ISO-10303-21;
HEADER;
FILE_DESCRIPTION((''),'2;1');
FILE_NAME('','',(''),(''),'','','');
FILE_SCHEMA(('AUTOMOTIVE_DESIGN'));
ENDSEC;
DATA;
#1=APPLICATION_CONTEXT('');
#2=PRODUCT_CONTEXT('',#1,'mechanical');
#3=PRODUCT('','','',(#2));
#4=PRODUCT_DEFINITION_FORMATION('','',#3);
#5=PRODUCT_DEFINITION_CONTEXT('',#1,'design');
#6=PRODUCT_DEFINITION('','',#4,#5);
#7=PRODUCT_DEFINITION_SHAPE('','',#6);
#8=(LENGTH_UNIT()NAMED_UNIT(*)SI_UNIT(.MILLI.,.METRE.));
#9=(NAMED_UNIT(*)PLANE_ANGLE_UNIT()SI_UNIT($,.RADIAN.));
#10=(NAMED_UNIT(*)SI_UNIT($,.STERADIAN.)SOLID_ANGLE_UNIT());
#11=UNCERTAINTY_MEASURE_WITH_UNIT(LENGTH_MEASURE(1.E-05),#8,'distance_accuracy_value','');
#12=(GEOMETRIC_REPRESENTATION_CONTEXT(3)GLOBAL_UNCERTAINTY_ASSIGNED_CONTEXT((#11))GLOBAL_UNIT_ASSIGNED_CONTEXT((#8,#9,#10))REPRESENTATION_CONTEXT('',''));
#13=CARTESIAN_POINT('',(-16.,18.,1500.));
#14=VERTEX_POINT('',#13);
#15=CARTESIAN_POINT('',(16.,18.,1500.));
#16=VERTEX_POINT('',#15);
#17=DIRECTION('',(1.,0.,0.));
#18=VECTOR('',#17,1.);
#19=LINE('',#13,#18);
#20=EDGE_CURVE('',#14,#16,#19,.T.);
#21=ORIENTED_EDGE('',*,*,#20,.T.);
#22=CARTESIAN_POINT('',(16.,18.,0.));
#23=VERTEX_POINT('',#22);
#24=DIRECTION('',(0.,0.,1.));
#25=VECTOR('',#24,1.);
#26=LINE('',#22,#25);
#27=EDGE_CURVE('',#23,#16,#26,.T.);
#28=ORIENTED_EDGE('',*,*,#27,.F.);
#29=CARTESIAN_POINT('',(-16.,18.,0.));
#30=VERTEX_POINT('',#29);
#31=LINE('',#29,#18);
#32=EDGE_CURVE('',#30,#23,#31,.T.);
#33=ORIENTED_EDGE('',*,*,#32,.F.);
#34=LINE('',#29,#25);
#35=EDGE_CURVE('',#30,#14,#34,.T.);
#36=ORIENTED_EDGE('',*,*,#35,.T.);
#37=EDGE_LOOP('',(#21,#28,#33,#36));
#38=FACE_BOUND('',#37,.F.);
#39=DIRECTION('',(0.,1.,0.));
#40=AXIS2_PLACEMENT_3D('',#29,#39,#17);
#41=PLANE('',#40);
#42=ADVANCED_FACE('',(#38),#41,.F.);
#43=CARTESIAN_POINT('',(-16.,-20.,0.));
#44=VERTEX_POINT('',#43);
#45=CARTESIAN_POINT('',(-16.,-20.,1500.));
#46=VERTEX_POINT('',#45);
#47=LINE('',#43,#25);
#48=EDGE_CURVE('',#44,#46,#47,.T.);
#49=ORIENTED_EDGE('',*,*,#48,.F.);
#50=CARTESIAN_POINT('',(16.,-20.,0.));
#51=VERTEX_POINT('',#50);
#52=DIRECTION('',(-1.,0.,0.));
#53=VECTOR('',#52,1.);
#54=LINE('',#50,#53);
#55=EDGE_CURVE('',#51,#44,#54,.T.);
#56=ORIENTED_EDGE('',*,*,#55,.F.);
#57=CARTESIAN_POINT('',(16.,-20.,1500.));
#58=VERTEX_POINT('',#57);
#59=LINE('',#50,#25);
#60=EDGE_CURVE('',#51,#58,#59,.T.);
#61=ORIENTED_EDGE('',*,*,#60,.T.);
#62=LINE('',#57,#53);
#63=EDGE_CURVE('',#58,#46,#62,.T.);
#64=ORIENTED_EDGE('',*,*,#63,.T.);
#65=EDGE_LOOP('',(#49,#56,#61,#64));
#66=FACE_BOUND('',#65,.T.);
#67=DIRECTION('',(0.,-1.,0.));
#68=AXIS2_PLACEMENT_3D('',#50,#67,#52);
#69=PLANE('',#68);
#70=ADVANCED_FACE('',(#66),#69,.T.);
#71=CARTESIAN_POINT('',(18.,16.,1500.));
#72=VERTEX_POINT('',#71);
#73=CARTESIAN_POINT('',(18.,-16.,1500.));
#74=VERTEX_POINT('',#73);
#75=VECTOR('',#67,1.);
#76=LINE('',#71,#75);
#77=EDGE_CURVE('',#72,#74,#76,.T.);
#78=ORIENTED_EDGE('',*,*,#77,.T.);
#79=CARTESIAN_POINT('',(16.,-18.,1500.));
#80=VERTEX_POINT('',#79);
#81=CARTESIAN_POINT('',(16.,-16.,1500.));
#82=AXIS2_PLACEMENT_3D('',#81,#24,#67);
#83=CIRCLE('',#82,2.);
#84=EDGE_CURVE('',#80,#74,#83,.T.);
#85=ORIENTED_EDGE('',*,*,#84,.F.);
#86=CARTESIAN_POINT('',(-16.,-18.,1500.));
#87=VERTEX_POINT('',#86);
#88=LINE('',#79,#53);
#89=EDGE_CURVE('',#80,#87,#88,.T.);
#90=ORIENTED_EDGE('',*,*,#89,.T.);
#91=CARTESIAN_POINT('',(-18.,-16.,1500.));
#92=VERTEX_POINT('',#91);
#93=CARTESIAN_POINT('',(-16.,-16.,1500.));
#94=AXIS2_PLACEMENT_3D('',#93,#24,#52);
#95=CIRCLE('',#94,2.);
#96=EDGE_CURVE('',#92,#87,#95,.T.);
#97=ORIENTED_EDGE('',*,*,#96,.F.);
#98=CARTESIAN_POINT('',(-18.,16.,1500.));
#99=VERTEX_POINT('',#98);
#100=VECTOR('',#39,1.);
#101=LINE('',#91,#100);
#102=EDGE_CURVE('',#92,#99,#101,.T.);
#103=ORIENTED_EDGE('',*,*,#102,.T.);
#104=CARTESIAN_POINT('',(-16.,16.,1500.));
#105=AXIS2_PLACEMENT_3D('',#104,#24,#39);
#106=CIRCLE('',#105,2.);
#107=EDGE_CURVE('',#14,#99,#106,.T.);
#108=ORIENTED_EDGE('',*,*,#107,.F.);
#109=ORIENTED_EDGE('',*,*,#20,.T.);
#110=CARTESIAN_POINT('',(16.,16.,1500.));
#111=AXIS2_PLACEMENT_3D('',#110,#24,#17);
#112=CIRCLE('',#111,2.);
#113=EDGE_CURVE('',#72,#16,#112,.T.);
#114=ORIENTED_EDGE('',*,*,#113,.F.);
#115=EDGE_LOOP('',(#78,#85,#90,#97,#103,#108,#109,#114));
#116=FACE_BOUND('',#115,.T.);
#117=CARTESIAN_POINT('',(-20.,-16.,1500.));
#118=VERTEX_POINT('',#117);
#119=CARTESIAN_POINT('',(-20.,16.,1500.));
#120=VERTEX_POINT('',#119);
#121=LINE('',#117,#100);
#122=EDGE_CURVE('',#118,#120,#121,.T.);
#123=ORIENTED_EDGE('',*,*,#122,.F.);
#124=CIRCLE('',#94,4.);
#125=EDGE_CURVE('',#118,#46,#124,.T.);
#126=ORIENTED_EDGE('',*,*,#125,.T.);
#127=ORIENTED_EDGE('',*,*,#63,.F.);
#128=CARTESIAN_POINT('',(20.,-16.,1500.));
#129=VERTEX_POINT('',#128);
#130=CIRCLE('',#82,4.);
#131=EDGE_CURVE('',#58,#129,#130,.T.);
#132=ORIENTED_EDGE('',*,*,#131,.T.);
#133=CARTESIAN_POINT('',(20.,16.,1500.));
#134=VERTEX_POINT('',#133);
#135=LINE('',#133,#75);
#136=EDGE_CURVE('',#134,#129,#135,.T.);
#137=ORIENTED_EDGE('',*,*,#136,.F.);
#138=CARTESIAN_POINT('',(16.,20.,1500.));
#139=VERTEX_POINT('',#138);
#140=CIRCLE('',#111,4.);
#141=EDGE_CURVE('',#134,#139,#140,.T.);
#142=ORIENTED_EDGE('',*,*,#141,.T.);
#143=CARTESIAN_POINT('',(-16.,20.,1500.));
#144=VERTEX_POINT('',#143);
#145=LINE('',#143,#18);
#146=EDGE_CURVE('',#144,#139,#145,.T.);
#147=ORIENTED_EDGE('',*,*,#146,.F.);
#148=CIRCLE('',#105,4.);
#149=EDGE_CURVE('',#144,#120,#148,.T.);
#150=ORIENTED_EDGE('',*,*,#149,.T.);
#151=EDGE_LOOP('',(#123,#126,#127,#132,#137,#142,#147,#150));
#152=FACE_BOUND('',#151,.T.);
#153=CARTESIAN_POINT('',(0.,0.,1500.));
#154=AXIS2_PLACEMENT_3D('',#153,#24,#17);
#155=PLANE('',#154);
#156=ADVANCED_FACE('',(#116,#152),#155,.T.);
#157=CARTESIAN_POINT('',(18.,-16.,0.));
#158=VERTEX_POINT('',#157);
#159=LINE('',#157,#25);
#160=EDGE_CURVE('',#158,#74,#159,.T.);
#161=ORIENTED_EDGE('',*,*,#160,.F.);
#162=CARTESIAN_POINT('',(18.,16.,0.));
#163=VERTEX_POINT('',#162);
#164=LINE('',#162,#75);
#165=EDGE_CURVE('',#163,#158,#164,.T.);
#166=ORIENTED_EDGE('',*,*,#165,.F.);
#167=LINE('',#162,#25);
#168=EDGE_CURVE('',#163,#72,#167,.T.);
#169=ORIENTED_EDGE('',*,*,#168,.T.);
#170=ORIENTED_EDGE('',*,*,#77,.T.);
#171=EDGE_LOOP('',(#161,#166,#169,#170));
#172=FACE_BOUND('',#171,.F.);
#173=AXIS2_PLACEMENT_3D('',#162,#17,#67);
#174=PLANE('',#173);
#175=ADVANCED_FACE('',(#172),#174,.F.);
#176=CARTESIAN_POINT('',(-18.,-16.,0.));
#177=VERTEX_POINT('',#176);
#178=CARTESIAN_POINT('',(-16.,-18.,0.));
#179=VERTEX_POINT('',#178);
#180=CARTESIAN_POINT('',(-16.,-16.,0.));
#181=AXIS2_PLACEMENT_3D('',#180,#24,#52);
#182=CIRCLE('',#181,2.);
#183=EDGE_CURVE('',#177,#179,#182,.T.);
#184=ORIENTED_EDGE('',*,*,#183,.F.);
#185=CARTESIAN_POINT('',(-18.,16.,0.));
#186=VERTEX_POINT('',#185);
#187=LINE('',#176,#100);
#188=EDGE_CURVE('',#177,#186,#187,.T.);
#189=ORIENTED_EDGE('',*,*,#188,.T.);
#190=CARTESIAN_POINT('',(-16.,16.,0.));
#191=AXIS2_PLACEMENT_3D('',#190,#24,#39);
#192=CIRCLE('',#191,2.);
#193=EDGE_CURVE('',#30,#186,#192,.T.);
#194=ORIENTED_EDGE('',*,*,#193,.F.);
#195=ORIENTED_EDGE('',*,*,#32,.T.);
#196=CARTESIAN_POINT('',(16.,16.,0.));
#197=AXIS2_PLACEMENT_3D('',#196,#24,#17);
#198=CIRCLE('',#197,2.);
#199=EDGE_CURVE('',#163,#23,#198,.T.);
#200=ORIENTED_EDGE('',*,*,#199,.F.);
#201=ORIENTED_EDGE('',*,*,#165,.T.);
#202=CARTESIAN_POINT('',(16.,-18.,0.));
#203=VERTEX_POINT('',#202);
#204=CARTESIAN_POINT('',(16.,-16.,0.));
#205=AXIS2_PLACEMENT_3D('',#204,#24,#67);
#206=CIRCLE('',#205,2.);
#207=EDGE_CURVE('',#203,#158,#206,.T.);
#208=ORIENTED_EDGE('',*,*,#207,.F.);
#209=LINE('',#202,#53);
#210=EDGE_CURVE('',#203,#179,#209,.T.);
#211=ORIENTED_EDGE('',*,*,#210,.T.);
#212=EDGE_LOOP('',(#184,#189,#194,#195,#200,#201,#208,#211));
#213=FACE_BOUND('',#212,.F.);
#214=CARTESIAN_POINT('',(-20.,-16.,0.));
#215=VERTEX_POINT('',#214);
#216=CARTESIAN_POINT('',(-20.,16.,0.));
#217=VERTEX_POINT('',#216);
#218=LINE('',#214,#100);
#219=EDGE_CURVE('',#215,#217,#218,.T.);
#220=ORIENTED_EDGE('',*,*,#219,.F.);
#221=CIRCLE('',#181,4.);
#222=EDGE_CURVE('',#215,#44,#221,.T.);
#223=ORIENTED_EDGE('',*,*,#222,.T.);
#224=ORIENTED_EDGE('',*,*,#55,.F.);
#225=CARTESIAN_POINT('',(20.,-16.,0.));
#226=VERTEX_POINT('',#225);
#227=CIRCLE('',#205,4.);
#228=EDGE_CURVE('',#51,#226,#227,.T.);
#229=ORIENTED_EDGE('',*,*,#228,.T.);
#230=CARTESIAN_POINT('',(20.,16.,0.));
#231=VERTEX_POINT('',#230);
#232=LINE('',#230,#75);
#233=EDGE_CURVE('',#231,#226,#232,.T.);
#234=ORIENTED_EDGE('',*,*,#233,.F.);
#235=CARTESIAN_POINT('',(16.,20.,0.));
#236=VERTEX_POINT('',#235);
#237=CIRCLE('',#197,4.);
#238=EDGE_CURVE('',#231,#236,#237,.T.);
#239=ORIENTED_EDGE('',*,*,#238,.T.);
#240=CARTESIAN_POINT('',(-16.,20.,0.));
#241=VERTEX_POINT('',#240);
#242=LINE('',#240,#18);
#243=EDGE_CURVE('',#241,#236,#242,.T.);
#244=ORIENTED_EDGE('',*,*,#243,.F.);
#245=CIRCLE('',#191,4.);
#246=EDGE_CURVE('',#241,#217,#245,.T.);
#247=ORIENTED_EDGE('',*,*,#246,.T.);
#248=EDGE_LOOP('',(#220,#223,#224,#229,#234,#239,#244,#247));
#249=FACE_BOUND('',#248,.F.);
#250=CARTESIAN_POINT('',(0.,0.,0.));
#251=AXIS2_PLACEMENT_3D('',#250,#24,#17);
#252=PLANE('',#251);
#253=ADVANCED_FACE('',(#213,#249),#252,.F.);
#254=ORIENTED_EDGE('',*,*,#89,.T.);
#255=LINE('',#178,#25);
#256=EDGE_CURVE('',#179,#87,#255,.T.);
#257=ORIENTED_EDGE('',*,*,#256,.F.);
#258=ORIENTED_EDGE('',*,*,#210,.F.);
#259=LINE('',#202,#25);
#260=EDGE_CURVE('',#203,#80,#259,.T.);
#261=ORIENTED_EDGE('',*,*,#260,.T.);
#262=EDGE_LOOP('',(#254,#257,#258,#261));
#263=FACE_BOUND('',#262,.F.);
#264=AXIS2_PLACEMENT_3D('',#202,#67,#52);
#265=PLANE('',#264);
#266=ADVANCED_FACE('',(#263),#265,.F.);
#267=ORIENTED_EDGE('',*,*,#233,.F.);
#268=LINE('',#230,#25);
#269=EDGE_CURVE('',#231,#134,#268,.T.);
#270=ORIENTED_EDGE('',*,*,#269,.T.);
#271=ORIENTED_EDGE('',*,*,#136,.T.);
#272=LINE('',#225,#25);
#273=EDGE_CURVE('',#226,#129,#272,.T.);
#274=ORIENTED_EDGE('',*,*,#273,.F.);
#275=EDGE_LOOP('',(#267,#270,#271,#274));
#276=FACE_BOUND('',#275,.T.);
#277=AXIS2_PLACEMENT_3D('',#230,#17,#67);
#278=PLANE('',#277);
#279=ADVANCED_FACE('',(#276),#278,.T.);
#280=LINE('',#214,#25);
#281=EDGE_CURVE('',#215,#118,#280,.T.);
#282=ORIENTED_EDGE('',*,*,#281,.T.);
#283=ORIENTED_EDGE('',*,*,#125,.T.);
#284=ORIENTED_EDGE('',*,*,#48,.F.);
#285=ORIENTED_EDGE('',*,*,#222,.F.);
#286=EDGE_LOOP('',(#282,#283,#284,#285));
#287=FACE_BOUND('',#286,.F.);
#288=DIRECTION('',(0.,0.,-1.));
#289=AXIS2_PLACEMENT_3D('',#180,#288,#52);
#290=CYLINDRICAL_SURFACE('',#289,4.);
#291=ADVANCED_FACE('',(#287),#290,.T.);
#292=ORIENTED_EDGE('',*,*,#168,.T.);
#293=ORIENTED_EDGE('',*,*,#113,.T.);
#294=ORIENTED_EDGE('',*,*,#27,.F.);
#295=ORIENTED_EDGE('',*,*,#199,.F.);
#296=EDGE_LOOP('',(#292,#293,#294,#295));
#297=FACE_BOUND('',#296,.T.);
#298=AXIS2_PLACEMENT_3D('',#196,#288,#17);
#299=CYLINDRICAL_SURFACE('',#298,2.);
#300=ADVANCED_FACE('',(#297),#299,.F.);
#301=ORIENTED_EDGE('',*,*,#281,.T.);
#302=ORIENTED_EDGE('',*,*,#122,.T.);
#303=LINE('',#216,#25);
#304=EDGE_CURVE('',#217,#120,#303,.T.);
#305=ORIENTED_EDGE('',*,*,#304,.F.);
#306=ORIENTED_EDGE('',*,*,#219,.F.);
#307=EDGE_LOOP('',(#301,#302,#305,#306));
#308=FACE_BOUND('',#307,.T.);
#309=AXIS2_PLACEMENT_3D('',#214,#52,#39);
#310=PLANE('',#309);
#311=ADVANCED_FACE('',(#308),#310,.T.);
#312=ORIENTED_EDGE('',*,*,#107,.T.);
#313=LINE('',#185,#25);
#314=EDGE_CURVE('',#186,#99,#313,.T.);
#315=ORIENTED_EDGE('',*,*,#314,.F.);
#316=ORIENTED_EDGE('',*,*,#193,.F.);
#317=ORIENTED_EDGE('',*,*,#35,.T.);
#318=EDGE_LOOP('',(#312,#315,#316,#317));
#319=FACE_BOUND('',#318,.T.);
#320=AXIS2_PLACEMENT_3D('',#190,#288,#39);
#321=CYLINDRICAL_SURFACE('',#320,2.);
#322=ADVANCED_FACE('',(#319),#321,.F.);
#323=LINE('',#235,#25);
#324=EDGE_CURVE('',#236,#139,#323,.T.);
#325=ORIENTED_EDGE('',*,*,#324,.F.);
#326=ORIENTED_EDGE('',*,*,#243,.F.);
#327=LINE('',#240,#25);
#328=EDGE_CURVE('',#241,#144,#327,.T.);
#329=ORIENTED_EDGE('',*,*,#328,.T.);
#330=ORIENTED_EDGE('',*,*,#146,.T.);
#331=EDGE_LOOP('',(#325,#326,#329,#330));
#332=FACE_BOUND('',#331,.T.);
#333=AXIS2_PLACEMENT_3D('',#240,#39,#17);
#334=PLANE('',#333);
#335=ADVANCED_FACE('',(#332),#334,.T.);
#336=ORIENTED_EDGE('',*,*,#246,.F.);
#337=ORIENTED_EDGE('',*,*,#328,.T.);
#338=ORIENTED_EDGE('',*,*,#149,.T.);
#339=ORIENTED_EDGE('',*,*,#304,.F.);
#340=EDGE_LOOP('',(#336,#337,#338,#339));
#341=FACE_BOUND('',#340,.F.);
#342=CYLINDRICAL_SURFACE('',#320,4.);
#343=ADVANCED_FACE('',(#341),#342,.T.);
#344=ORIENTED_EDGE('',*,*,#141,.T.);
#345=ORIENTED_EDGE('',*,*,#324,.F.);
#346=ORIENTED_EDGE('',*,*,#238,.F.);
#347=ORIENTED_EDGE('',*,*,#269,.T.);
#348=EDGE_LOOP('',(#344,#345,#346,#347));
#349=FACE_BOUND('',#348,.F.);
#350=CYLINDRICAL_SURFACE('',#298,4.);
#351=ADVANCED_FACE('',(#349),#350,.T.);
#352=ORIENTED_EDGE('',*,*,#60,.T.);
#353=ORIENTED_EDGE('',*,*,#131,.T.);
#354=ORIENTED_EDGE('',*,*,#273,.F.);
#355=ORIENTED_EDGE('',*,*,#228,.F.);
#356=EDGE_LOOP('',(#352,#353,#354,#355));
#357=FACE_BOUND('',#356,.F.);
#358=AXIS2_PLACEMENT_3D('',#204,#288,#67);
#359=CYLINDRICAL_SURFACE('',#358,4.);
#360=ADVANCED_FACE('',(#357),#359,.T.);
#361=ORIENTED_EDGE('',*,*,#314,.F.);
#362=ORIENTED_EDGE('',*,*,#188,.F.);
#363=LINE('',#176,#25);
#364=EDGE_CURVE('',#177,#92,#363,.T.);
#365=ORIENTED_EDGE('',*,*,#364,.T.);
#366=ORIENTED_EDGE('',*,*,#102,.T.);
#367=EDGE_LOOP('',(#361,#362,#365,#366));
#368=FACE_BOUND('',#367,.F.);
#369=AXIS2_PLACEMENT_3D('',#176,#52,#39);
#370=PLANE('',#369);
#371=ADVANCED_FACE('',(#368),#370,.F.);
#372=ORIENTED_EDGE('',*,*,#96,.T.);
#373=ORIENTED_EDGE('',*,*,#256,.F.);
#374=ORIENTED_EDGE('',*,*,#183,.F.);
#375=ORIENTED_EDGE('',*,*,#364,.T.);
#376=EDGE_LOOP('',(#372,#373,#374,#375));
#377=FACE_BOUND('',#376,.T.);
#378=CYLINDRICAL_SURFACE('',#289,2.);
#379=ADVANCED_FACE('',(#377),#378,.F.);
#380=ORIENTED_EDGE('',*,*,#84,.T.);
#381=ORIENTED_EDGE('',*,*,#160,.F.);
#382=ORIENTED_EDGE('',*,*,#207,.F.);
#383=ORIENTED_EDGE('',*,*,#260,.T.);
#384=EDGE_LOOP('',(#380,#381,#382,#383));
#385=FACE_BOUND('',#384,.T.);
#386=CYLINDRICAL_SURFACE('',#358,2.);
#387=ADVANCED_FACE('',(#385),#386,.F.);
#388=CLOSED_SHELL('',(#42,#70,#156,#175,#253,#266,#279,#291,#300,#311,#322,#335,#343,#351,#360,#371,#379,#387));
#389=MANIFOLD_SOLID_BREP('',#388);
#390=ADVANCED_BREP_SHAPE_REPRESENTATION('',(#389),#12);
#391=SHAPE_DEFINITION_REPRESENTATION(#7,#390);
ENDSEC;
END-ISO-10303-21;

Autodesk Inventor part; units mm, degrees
ref_plane "YZ Plane" through (0, 0, 0) normal (1, 0, 0) x (0, 1, 0)
ref_plane "Start Plane" through (0, 0, 0) normal (0, 0, 1) x (1, 0, 0)
ref_plane "End Plane" through (0, 0, 1500) normal (0, 0, 1) x (1, 0, 0)
sketch "Sketch" plane through (0, 0, 0) normal (0, 0, 1) x (1, 0, 0)
  line L0 (-20, -16) -> (-20, 16)
  line L1 (-16, 20) -> (16, 20)
  line L2 (20, 16) -> (20, -16)
  line L3 (16, -20) -> (-16, -20)
  arc A0 (-20, -16) -> (-16, -20) centre (-16, -16) ccw
  arc A1 (20, 16) -> (16, 20) centre (16, 16) ccw
  arc A2 (-16, 20) -> (-20, 16) centre (-16, 16) ccw
  arc A3 (16, -20) -> (20, -16) centre (16, -16) ccw
  arc A4 (-16, 18) -> (-18, 16) centre (-16, 16) ccw
  line L4 (-16, 18) -> (16, 18)
  arc A5 (18, 16) -> (16, 18) centre (16, 16) ccw
  line L5 (18, 16) -> (18, -16)
  arc A6 (16, -18) -> (18, -16) centre (16, -16) ccw
  line L6 (16, -18) -> (-16, -18)
  arc A7 (-18, -16) -> (-16, -18) centre (-16, -16) ccw
  line L7 (-18, -16) -> (-18, 16)
  line L8 (0, 29.1598) -> (0, -29.1598) construction
  line L9 (-29.1598, 0) -> (29.1598, 0) construction
  dimension "d7" = 4
  dimension "d9" = 40
  dimension "d11" = 40
  dimension "d12" = 2
  dimension "d15" = 20
  dimension "d16" = 20
extrude "Body" add sketch "Sketch" along normal up to surface (1500 mm away) from surface at 0
sketch "Sketch3" plane through (0, 0, 0) normal (0, 0, 1) x (1, 0, 0)
  line L0 (0, 0) -> (10, 0)
ref_plane "Work Plane3" through (0, 0, 0) normal (0, -1, 0) x (1, 0, 0)
sketch "Sketch4" plane through (0, 0, 0) normal (0, -1, 0) x (1, 0, 0)
  line L0 (-2, 0) -> (12, 0) projected
  line L1 (-2, 1500) -> (12, 1500) projected
  dimension "d18" = 1500
equation "\"d7\" = G_IR"
equation "\"d9\" = G_W"
equation "\"d11\" = G_H"
equation "\"d12\" = G_T"
equation "\"d15\" = 0.5 * d9"
equation "\"d16\" = 0.5 * d11"
equation "\"d3\" = G_L"
equation "\"G_W\" = 40"
equation "\"G_H\" = 40"
equation "\"G_T\" = 2"
equation "\"G_IR\" = 4"
equation "\"G_L\" = d18"
equation "\"G_OFFSET_START\" = 0"
equation "\"G_OFFSET_END\" = 0"
properties part number "ISO 10799-2 - 40x40x2 - 1500" material "Steel, Mild"
